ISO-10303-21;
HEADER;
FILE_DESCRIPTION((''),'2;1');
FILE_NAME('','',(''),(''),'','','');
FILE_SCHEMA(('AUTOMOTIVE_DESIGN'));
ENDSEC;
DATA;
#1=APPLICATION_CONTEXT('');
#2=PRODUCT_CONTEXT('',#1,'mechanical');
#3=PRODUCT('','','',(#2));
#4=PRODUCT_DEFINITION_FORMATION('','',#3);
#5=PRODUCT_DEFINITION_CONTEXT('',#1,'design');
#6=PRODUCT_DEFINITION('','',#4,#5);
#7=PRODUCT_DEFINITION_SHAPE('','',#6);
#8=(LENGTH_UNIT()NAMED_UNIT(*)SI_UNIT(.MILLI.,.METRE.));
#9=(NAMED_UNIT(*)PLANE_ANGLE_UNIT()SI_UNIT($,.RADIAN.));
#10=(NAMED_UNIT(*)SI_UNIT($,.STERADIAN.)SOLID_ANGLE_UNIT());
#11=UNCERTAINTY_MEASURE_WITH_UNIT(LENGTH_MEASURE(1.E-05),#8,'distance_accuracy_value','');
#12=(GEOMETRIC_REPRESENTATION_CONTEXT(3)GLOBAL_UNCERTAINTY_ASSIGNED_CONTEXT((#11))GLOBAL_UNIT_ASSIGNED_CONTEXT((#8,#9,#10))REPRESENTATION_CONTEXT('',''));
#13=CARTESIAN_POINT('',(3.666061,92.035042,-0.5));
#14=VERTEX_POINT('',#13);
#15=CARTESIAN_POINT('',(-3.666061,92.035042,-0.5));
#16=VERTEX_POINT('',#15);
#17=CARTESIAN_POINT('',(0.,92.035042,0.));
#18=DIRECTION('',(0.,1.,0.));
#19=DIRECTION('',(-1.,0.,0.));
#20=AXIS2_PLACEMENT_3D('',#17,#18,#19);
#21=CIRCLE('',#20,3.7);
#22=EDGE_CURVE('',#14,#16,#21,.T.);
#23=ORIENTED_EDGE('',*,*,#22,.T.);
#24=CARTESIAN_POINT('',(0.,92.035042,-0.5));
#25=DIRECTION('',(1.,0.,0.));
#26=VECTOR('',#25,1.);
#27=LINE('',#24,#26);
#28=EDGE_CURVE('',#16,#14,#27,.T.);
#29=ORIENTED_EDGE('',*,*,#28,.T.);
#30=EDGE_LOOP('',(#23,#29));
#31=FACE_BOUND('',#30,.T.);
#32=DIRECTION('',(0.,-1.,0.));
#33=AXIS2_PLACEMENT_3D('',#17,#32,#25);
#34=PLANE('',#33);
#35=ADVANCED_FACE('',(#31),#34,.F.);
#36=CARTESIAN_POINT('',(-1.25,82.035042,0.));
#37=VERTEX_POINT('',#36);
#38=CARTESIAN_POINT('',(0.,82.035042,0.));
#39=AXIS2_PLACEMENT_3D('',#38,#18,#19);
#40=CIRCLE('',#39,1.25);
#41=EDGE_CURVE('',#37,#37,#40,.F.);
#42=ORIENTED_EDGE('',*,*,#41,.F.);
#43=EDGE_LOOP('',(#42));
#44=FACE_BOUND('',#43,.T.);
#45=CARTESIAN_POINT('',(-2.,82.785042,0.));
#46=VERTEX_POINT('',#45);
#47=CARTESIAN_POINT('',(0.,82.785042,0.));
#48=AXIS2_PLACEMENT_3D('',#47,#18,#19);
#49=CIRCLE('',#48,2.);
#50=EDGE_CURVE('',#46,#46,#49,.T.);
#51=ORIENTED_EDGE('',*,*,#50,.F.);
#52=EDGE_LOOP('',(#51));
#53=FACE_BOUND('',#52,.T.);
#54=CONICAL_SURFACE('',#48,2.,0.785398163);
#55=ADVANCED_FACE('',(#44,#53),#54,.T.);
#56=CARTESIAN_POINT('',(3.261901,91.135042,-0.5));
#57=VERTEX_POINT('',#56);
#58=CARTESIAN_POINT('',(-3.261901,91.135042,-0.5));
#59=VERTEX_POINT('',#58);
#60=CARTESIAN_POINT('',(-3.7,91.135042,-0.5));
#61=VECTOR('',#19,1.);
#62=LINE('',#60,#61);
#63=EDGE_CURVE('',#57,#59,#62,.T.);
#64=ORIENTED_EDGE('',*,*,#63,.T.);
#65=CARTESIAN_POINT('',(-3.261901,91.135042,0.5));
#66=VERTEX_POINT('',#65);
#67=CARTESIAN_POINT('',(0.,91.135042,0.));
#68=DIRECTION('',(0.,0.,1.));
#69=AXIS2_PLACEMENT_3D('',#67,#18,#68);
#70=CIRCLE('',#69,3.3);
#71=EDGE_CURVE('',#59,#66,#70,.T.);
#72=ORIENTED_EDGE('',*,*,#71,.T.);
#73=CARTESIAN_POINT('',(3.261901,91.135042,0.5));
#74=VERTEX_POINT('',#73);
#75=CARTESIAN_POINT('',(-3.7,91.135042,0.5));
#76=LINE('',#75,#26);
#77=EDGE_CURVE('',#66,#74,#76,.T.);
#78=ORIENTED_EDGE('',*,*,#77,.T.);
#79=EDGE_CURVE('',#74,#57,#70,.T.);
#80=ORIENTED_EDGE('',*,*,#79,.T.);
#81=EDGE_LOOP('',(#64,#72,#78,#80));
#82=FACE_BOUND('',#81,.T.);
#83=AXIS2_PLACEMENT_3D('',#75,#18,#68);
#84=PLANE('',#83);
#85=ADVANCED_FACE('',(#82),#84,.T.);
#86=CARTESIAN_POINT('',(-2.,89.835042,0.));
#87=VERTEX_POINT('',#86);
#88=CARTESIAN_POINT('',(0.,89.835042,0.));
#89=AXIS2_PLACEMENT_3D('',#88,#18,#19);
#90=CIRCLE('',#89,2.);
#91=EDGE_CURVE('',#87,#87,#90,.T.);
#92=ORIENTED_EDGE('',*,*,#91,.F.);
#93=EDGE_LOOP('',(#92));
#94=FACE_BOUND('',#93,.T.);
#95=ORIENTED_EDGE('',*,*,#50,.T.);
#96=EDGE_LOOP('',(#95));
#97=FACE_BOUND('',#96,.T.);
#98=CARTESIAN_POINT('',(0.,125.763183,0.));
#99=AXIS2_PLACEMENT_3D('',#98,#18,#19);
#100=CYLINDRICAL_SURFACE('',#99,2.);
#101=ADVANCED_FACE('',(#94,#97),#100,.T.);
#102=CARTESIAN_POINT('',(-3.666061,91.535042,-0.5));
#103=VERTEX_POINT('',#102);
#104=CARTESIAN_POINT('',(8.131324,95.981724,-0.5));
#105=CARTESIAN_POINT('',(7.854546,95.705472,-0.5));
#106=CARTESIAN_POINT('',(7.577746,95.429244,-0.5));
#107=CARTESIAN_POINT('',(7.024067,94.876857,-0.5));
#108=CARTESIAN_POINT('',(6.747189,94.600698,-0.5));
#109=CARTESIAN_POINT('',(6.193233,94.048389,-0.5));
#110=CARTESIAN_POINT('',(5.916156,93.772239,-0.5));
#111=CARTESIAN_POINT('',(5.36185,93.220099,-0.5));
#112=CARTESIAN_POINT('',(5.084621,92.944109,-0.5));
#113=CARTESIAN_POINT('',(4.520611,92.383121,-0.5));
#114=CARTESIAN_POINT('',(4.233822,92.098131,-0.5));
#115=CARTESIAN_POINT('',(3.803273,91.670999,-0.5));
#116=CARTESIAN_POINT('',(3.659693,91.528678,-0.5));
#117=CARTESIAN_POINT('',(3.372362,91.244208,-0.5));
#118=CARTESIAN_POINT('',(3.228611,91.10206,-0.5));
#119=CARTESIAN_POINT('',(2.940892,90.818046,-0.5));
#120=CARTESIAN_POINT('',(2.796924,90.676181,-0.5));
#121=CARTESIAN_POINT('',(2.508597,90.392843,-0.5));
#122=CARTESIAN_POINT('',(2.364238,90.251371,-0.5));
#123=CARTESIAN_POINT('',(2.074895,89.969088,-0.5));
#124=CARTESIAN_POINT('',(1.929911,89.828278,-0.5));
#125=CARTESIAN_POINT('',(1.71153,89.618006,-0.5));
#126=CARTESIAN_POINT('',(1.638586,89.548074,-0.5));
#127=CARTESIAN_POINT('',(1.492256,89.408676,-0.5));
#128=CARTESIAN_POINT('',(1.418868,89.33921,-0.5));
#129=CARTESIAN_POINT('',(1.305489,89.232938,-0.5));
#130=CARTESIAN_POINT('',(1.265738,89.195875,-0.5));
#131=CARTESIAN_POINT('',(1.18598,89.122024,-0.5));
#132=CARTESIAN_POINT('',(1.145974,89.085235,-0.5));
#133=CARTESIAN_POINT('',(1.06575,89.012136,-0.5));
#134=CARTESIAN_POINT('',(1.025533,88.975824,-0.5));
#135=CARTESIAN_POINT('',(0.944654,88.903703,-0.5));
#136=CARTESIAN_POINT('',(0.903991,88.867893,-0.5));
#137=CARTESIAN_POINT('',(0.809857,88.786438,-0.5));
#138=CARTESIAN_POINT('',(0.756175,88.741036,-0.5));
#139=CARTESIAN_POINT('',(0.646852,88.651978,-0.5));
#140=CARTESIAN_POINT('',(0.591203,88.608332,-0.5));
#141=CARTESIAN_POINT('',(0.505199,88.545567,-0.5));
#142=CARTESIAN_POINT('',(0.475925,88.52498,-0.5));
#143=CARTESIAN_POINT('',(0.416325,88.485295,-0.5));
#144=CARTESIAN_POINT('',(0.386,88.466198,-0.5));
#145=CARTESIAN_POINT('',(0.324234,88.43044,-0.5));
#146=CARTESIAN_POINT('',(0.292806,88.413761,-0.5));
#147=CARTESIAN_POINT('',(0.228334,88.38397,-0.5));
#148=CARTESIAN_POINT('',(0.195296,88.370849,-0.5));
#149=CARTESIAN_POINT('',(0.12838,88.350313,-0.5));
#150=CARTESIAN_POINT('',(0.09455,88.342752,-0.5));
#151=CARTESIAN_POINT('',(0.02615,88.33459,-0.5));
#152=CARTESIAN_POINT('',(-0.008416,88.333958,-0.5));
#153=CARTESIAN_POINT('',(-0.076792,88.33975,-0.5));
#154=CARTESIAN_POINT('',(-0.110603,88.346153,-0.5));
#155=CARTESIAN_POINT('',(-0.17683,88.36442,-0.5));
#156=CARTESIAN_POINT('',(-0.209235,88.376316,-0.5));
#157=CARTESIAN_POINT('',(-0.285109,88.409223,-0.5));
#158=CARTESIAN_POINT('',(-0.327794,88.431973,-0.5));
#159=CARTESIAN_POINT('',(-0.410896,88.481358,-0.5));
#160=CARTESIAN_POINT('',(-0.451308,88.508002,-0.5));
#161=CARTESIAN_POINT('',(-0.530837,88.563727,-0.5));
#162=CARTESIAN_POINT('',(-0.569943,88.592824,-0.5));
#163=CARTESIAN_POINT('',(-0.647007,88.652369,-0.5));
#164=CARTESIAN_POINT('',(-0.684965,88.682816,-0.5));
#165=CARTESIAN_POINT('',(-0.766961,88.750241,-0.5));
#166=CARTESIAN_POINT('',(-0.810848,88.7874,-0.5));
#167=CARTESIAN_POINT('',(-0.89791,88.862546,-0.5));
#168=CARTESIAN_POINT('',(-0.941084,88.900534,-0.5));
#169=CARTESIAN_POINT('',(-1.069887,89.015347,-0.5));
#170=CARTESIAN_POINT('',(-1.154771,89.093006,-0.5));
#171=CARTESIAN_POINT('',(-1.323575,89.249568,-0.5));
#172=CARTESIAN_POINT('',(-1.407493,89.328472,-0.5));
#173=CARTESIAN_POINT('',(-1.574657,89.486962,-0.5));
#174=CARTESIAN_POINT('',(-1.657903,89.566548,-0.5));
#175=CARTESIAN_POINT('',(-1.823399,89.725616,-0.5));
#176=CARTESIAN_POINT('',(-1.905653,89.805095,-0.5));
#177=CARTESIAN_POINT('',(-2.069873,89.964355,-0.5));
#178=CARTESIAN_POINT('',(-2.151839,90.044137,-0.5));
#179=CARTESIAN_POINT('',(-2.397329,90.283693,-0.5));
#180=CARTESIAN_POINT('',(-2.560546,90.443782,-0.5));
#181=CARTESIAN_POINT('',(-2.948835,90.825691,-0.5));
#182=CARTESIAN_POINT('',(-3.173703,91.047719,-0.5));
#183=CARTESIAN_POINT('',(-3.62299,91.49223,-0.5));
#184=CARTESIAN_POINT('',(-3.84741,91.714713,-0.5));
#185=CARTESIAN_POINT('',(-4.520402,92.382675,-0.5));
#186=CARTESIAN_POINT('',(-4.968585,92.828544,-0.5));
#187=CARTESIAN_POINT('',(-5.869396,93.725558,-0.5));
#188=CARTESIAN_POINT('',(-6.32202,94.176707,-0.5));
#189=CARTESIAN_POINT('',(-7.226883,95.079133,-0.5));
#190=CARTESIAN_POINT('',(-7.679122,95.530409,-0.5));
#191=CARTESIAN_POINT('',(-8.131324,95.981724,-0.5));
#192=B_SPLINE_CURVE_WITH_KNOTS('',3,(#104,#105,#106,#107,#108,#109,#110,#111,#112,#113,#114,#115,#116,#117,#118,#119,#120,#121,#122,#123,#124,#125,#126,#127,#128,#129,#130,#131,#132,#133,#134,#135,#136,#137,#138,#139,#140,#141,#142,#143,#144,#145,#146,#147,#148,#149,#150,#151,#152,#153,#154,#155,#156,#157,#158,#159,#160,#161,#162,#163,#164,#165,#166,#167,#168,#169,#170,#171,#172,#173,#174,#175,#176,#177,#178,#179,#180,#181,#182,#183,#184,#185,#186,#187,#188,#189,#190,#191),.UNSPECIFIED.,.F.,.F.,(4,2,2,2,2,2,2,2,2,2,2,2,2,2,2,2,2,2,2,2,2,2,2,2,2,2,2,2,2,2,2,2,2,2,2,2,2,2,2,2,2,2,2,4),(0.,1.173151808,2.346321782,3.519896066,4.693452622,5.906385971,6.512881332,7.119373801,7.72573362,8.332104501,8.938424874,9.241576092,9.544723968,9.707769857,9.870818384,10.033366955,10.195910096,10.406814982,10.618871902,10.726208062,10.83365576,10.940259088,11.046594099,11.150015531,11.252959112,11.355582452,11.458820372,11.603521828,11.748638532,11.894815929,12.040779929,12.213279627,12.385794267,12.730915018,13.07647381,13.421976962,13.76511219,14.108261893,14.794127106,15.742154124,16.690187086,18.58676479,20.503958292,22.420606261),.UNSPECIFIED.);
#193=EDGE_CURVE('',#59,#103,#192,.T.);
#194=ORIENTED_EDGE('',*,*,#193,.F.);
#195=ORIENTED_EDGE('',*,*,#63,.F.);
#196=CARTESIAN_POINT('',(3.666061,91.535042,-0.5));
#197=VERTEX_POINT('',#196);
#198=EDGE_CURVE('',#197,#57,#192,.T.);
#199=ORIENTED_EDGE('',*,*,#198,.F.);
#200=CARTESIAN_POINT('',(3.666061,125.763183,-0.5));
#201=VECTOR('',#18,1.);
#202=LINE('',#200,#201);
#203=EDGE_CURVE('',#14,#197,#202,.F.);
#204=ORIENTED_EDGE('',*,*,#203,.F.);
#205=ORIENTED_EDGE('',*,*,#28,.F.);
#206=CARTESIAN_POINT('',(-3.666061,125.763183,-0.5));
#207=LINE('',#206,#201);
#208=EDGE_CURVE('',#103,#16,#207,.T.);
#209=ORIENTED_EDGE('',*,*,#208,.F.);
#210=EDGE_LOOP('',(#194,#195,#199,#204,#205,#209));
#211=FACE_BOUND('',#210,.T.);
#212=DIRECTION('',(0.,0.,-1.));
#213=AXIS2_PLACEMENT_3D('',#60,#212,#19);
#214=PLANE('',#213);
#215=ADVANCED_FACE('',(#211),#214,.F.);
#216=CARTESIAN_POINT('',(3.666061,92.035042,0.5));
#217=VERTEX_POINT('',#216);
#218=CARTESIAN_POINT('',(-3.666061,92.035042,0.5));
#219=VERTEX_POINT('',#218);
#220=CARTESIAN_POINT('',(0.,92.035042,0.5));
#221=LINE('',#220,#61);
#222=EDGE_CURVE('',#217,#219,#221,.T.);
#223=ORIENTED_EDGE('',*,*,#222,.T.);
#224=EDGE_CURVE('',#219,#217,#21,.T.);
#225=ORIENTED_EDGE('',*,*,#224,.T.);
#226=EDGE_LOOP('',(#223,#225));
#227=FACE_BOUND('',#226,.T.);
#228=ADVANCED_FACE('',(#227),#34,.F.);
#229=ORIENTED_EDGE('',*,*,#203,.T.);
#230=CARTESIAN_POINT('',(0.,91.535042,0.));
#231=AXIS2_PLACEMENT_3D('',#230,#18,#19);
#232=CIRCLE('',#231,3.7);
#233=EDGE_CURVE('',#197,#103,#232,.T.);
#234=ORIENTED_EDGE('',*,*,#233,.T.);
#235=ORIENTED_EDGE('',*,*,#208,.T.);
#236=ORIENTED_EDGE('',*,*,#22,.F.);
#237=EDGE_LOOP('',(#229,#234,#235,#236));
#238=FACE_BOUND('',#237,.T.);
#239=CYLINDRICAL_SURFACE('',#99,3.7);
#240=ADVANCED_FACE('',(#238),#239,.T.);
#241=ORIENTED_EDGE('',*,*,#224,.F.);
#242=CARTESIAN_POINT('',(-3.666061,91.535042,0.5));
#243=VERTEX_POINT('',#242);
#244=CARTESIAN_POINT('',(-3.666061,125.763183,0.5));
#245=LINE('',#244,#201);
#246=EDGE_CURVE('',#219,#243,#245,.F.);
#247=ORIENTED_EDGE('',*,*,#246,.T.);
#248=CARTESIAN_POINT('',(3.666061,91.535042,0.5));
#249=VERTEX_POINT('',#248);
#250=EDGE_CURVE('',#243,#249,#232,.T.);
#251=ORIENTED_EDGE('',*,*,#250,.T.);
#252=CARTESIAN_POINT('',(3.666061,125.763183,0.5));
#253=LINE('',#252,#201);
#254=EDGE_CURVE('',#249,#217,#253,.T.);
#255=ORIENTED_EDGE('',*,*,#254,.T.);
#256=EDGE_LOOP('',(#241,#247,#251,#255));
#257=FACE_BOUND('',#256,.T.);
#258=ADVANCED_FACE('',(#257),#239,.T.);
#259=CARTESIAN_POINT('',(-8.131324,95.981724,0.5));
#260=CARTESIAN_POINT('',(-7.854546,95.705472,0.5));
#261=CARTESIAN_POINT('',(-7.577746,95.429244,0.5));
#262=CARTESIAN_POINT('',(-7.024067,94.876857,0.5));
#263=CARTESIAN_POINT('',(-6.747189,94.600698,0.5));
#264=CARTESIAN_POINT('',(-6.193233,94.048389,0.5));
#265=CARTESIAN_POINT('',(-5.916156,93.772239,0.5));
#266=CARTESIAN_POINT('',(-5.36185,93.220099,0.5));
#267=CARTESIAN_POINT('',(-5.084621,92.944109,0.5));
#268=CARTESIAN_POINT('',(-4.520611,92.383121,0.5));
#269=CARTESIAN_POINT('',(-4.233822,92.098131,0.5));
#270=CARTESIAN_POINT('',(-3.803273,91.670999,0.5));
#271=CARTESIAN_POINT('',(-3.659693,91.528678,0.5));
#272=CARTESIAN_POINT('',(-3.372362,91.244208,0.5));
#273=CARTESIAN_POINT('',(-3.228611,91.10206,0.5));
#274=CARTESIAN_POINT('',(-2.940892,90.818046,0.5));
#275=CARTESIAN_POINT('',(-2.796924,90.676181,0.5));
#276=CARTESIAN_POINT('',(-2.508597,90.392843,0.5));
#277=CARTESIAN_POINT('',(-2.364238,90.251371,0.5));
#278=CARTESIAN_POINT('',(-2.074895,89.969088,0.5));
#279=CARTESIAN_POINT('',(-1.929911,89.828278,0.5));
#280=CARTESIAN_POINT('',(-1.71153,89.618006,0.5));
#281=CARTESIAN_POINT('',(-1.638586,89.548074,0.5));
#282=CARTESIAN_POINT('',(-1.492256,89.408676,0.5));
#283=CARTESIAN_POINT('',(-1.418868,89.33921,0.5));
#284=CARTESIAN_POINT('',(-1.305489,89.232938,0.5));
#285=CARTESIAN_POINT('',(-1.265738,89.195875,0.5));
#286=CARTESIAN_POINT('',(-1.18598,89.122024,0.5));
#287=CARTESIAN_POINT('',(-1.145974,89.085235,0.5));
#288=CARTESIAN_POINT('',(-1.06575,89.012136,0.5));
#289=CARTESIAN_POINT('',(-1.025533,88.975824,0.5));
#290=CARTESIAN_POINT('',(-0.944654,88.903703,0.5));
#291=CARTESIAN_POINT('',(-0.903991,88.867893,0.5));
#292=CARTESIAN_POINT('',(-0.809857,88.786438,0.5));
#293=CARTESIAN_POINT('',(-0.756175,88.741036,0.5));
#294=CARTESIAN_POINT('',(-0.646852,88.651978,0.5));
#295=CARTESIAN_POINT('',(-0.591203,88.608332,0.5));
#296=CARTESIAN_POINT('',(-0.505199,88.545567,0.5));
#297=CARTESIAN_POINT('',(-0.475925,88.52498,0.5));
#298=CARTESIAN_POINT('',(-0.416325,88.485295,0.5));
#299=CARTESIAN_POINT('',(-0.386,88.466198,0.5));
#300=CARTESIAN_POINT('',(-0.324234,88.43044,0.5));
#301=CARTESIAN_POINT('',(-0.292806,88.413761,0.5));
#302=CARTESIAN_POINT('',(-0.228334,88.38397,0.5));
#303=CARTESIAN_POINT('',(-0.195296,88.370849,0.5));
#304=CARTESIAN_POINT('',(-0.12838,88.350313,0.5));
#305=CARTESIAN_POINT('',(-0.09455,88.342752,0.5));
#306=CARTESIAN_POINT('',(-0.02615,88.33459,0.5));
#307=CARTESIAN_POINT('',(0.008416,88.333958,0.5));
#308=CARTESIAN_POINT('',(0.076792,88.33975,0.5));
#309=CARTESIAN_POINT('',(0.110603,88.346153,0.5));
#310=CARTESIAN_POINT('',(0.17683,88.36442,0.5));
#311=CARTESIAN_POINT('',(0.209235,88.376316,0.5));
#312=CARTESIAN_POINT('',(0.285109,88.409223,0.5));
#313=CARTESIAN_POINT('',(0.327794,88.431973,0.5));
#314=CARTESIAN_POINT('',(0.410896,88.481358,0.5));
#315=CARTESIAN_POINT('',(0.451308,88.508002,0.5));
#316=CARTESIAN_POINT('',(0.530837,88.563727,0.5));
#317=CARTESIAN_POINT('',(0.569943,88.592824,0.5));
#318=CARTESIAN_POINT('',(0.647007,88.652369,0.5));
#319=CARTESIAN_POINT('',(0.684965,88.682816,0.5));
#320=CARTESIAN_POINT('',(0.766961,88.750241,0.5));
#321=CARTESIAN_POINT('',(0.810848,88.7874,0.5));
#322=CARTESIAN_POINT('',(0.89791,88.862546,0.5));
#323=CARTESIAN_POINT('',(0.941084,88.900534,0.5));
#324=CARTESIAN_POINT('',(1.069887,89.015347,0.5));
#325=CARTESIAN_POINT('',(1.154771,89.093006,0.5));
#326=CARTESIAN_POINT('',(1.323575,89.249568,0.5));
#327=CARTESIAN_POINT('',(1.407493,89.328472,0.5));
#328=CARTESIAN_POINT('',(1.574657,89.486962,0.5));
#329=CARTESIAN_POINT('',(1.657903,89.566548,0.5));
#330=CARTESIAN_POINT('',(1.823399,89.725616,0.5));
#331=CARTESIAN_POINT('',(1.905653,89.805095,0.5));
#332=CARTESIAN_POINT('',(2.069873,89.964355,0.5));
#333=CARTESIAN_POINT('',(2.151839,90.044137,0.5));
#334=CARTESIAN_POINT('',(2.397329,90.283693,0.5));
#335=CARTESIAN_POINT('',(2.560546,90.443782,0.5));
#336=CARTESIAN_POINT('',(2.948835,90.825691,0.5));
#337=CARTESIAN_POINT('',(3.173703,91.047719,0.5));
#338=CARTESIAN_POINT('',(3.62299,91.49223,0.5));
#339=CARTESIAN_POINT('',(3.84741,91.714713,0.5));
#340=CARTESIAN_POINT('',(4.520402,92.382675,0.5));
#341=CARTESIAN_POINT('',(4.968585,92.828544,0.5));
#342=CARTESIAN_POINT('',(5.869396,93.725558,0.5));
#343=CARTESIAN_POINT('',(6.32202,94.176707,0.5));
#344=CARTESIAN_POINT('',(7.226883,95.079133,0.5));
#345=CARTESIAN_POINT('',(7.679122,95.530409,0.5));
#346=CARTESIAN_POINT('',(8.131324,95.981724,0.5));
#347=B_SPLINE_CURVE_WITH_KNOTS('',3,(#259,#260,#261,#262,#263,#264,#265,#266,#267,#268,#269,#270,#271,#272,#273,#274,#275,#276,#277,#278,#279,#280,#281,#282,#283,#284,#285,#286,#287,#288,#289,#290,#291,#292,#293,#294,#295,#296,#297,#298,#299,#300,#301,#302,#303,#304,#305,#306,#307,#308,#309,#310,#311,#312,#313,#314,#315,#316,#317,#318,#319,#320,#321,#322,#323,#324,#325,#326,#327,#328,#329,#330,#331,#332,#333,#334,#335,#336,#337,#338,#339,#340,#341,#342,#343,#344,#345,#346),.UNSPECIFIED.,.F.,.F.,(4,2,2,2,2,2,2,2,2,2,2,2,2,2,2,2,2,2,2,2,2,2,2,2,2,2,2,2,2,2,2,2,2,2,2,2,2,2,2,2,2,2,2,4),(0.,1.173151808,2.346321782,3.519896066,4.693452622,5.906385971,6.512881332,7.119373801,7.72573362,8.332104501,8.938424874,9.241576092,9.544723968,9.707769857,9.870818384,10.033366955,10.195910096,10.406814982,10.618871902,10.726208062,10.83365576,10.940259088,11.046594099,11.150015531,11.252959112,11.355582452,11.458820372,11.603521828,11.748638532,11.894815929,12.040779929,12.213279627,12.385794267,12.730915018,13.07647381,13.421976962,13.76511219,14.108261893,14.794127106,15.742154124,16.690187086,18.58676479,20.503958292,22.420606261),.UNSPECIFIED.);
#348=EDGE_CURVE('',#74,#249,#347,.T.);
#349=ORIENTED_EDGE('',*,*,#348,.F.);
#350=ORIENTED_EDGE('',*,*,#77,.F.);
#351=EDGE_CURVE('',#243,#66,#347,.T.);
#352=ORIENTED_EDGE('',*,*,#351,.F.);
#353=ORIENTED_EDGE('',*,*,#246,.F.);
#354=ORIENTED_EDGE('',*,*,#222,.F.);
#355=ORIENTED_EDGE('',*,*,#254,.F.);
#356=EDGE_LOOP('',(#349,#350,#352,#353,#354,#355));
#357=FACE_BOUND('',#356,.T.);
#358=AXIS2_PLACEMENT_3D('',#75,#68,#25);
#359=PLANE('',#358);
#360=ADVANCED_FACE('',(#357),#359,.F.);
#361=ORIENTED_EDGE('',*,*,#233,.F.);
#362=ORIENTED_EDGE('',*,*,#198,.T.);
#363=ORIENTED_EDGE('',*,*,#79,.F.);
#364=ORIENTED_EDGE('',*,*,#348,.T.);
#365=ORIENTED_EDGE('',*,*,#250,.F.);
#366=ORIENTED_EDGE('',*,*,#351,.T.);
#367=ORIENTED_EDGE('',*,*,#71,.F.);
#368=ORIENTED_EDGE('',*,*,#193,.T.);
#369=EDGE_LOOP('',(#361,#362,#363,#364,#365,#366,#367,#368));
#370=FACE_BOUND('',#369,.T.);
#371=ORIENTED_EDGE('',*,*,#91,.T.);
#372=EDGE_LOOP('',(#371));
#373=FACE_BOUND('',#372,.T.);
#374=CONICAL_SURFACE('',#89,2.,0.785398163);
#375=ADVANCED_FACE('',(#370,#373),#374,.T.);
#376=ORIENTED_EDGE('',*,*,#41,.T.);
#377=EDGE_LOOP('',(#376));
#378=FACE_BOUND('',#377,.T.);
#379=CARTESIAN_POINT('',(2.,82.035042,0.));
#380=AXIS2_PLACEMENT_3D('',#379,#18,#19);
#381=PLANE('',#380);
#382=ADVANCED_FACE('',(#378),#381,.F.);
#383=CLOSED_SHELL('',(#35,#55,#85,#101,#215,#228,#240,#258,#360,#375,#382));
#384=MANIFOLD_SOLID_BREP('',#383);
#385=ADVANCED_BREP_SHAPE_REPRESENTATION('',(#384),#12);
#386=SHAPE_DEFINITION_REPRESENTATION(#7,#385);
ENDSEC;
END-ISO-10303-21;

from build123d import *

# Parameters (mm, degrees)
SKETCH_13_W         = 7.4
SKETCH_13_H         = 1
CUT_EXTRUDE_9_DEPTH = 0.9
CHAMFER_1_SIZE      = 0.75


with BuildPart() as part:
    # Эскиз1 → Повернуть1 (revolve)
    with BuildSketch(Plane.XY):
        Polygon((0, 92.035042223), (0, 82.035042223), (2, 82.035042223), (2, 89.835042223), (3.7, 91.535042223), (3.7, 92.035042223), align=None)
    revolve(axis=Axis((0, 125.763182898, 0), (0, -1, 0)))

    # Эскиз13 → Вырез-Вытянуть9 (cut)
    with BuildSketch(Plane(origin=(0, 92.035042223, 0), x_dir=(-1, 0, 0), z_dir=(0, 1, 0))):
        Rectangle(SKETCH_13_W, SKETCH_13_H)
    extrude(amount=-CUT_EXTRUDE_9_DEPTH, mode=Mode.SUBTRACT)

    # Фаска1
    chamfer_1_edges = [part.edges().sort_by_distance(p)[0] for p in [
        (-2, 82.035042223, 0),
    ]]
    chamfer(chamfer_1_edges, length=CHAMFER_1_SIZE)


solid = part.part
